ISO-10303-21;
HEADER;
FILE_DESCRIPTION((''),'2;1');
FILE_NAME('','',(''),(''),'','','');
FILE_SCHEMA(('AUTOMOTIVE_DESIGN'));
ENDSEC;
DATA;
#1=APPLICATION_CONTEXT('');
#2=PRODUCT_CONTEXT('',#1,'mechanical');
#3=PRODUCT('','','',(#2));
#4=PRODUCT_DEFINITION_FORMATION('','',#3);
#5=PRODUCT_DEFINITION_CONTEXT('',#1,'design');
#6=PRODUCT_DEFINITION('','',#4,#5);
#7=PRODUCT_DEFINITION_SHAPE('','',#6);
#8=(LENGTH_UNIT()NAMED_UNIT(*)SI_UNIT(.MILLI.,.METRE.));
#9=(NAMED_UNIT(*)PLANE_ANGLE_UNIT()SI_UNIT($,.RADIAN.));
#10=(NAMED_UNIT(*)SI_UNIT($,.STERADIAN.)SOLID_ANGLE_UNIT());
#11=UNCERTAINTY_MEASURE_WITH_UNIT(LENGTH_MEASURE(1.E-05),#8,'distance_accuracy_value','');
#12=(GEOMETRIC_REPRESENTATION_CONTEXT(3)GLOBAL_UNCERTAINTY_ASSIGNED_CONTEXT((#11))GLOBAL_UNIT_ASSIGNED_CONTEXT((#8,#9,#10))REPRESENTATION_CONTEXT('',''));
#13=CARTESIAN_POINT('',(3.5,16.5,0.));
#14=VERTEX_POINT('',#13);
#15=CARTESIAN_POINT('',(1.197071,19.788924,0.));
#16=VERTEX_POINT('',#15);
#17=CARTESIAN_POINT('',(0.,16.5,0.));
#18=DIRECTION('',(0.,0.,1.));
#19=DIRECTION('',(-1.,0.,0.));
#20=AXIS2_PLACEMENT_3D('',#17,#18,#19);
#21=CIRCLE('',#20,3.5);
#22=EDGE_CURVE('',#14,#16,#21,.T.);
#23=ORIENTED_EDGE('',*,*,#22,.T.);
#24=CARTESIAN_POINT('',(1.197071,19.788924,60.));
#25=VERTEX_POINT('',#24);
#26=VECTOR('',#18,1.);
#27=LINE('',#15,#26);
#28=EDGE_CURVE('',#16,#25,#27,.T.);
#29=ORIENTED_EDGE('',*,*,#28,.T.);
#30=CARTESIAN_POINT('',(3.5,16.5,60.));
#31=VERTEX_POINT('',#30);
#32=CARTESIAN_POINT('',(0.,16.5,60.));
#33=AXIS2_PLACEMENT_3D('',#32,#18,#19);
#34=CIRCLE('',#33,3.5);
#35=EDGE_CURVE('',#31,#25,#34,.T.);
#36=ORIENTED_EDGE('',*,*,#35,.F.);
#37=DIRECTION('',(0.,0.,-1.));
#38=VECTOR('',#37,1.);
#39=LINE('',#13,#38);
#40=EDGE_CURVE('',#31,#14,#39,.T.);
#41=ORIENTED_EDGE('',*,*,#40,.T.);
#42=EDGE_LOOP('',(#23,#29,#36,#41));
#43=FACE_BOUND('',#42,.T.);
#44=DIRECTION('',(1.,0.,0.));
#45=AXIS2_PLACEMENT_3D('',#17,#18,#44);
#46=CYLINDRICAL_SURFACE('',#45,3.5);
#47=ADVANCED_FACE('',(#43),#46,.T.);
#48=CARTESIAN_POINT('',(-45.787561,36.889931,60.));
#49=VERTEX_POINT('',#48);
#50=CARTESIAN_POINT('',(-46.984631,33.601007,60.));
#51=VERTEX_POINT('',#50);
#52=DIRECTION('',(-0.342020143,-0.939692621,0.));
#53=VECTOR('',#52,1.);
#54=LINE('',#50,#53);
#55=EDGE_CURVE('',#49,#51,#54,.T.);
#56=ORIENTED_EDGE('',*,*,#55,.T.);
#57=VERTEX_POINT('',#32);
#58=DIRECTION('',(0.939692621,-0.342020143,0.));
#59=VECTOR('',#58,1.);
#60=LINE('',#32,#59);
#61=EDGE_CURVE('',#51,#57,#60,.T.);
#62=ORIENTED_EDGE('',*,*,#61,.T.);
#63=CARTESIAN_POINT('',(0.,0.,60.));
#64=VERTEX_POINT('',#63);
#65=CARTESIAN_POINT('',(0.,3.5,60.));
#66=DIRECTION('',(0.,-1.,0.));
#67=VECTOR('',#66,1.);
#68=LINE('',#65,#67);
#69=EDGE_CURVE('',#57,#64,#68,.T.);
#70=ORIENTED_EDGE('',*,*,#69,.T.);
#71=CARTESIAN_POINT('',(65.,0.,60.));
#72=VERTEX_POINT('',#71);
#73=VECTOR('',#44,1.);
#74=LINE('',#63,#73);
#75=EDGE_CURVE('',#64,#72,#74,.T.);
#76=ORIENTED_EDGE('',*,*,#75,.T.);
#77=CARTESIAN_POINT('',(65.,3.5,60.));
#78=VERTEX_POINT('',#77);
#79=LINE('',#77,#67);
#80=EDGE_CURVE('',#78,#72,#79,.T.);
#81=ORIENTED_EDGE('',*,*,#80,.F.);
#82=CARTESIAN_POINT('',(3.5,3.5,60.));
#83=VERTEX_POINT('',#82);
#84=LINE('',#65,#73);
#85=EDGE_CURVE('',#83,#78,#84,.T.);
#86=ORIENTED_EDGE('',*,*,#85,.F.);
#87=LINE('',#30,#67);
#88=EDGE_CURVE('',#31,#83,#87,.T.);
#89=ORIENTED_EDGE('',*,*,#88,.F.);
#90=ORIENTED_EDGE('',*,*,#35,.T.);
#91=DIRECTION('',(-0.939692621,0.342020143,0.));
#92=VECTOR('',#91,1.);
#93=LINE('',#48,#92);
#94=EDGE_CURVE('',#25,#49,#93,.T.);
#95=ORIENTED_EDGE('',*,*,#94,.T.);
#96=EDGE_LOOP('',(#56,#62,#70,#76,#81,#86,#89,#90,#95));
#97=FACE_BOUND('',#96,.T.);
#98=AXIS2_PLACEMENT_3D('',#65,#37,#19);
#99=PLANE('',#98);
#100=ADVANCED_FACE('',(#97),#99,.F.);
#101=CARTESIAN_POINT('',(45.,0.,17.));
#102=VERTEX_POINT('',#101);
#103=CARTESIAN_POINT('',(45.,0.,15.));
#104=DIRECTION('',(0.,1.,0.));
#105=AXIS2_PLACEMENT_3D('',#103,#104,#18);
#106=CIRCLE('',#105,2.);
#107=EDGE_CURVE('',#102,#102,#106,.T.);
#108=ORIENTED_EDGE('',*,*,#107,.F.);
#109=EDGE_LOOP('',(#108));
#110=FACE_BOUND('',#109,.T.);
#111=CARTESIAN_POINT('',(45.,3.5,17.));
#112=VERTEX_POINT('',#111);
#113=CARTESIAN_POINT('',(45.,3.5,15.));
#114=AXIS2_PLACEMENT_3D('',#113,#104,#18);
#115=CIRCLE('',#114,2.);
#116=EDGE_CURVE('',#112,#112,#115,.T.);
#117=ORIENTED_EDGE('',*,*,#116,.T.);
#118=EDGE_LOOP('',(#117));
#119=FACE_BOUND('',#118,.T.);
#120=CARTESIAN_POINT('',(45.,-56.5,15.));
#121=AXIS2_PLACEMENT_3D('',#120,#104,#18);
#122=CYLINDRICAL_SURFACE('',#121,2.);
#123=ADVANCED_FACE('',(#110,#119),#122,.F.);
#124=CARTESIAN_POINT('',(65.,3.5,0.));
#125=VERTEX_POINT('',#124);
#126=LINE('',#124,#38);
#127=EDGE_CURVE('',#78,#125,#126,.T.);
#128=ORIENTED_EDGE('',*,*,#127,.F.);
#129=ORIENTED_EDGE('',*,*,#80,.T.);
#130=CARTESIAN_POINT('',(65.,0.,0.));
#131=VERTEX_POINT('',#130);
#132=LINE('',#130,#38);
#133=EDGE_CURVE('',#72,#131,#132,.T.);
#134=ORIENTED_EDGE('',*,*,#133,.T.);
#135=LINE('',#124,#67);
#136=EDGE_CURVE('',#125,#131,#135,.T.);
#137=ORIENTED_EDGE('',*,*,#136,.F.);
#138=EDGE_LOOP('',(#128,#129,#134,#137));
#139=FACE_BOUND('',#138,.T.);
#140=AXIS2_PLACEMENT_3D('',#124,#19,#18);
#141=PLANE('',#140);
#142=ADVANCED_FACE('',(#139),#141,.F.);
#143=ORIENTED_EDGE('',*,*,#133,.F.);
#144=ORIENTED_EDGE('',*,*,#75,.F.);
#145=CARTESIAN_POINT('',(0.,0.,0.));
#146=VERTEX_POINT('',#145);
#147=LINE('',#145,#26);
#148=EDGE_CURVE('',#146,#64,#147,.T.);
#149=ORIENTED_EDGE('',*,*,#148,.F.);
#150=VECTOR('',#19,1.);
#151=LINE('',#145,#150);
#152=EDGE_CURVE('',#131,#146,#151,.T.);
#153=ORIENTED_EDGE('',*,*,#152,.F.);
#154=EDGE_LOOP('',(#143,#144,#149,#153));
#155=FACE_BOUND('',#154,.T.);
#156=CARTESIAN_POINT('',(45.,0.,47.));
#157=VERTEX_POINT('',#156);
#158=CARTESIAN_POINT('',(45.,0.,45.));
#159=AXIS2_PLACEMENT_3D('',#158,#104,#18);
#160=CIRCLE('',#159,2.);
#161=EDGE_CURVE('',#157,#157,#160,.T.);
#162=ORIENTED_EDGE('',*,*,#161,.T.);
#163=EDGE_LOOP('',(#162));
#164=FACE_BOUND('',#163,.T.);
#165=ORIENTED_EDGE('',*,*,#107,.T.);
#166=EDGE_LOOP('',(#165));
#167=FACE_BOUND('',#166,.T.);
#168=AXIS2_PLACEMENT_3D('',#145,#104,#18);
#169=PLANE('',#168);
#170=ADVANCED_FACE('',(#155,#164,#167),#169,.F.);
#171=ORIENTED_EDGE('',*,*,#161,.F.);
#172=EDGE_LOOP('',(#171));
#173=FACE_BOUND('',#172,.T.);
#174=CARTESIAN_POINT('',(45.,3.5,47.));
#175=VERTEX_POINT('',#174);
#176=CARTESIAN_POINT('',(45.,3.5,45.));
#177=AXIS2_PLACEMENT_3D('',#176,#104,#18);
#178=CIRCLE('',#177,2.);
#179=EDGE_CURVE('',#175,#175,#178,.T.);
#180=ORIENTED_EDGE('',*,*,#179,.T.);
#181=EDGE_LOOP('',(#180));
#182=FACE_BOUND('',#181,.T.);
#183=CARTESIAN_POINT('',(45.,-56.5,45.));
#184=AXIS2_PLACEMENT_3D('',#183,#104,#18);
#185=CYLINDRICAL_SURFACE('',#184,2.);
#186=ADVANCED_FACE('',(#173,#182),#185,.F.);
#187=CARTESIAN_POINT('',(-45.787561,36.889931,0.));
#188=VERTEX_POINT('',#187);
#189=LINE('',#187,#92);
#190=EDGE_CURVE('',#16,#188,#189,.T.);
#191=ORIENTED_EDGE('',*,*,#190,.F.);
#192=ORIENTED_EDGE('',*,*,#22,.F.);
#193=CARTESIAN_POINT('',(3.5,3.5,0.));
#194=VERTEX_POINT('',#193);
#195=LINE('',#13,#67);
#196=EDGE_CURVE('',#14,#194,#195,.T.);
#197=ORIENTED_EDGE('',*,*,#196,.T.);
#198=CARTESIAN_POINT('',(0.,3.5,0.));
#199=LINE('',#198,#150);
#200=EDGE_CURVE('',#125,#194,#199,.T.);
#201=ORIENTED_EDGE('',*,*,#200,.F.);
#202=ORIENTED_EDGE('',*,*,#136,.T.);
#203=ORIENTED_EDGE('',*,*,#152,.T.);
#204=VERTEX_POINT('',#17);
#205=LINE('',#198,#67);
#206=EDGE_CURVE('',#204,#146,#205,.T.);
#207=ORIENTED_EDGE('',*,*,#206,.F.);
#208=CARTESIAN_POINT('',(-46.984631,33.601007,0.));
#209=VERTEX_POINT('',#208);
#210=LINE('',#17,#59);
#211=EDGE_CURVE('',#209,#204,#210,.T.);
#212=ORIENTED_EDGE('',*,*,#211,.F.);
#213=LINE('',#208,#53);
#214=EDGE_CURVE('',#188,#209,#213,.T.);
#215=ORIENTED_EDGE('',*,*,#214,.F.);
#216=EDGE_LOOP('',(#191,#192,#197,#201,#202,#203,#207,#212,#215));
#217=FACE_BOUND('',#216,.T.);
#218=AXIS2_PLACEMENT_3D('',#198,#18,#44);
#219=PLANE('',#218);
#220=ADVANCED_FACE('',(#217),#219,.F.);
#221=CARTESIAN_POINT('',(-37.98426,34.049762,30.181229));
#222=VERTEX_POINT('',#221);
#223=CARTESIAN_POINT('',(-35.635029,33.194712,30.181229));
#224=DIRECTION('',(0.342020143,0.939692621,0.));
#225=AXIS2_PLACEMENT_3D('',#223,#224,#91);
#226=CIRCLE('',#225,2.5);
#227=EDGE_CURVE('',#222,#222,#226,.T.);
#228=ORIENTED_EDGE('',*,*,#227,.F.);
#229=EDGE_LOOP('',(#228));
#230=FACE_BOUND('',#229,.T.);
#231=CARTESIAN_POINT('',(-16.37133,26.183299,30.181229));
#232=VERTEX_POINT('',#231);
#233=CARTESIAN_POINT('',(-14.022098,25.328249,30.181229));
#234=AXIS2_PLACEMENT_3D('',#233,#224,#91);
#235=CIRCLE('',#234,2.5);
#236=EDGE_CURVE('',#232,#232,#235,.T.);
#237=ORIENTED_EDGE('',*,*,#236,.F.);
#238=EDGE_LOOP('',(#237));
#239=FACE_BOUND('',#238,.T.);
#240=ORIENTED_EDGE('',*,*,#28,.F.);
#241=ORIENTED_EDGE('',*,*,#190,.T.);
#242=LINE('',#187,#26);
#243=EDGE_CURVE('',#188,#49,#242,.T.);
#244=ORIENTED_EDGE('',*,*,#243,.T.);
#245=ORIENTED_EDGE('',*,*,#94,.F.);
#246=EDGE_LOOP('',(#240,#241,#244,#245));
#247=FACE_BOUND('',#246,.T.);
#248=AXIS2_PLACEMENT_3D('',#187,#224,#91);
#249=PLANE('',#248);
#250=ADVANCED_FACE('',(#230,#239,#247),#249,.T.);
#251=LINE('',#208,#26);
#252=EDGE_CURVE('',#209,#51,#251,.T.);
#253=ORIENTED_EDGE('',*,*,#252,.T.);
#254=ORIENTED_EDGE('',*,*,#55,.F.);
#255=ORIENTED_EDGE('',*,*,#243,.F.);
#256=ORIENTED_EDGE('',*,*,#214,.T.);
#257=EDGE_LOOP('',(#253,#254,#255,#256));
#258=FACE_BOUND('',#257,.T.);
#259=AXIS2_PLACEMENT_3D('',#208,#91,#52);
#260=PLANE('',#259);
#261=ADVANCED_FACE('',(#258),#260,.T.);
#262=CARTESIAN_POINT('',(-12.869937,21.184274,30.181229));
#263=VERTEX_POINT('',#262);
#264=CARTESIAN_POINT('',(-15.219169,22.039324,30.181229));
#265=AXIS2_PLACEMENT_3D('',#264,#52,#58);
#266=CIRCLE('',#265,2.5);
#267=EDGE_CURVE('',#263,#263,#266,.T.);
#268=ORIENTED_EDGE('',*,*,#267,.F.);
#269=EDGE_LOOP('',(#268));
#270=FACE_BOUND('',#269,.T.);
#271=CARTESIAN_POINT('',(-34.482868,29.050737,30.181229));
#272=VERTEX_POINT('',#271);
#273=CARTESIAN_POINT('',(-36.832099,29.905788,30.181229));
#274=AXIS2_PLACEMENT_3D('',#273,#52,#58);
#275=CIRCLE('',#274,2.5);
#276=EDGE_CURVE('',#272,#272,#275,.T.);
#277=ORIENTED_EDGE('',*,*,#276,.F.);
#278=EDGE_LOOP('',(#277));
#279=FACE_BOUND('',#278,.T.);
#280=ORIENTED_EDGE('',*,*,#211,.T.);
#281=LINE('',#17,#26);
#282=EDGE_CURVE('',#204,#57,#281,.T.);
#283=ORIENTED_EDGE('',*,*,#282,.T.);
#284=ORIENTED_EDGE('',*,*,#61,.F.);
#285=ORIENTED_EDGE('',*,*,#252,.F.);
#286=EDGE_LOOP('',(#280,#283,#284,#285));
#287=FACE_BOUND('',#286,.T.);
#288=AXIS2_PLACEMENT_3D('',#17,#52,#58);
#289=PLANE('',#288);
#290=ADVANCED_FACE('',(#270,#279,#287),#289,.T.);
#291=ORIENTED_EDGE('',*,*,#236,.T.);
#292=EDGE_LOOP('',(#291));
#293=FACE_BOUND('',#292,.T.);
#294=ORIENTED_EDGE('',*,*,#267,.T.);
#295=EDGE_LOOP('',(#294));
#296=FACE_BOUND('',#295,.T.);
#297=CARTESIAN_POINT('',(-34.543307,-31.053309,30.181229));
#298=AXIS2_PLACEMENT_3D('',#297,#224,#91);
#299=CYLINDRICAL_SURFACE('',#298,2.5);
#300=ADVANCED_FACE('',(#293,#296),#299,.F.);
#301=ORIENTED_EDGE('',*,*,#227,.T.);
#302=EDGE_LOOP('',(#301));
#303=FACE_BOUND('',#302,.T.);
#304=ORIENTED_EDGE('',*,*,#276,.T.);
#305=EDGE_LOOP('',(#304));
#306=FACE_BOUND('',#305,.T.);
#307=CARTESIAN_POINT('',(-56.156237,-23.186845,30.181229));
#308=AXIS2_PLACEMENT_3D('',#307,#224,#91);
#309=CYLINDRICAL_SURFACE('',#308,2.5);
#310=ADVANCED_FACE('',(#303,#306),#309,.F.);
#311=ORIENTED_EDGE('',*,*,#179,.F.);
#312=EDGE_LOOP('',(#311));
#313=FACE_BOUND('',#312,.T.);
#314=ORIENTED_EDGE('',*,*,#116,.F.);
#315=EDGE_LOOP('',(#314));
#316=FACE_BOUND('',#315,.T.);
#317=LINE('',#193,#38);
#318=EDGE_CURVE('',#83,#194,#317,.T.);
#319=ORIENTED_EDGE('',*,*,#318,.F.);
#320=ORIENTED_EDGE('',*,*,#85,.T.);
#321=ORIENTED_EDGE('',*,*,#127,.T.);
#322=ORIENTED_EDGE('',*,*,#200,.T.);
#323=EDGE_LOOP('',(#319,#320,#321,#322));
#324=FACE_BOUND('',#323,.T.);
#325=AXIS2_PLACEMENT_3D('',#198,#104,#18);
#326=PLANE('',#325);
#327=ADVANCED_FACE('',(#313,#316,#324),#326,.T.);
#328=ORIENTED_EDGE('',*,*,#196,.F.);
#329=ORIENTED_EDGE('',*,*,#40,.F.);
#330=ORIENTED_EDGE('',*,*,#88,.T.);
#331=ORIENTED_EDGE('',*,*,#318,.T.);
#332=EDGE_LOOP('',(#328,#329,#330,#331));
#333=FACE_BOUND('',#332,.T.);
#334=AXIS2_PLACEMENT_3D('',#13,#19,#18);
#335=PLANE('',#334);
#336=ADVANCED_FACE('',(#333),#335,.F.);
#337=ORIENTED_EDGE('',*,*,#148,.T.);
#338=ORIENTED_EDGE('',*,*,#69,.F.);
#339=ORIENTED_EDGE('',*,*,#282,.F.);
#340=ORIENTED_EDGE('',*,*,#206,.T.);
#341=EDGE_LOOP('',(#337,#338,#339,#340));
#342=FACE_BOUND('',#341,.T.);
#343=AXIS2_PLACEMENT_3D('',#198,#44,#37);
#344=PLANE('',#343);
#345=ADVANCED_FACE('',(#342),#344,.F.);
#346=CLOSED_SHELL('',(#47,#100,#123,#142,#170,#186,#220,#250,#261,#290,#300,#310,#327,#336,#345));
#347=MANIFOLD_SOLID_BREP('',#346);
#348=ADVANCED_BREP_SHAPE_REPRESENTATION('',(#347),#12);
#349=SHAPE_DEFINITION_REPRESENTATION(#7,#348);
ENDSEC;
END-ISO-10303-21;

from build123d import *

# Parameters (mm, degrees)
SKETCH1_W           = 65
SKETCH1_H           = 60
BOSS_EXTRUDE1_DEPTH = 3.5
SKETCH2_W           = 3.5
SKETCH2_H           = 60
BOSS_EXTRUDE2_DEPTH = 13
BOSS_EXTRUDE5_DEPTH = 60
SKETCH9_R           = 2
CUT_EXTRUDE1_DEPTH  = 60
SKETCH10_R          = 2.5
CUT_EXTRUDE2_DEPTH  = 60


with BuildPart() as part:
    # Sketch1 → Boss-Extrude1 (new body)
    with BuildSketch(Plane(origin=(0, 0, 0), x_dir=(1, 0, 0), z_dir=(0, 1, 0))):
        with Locations((32.5, -30)):
            Rectangle(SKETCH1_W, SKETCH1_H)
    extrude(amount=BOSS_EXTRUDE1_DEPTH)

    # Sketch2 → Boss-Extrude2 (add)
    with BuildSketch(Plane(origin=(0, 3.5, 0), x_dir=(1, 0, 0), z_dir=(0, 1, 0))):
        with Locations((1.75, -30)):
            Rectangle(SKETCH2_W, SKETCH2_H)
    extrude(amount=BOSS_EXTRUDE2_DEPTH)

    # Sketch7 → Boss-Extrude5 (add)
    with BuildSketch(Plane.XY.offset(60)):
        with BuildLine():
            Line((0, 16.5), (-46.984631039, 33.601007166))
            Line((-46.984631039, 33.601007166), (-45.787560538, 36.889931339))
            Line((-45.787560538, 36.889931339), (1.197070502, 19.788924173))
            ThreePointArc((1.197070502, 19.788924173), (2.867032155, 18.507517527), (3.5, 16.5))
            Line((3.5, 16.5), (3.5, 3.5))
            Line((3.5, 3.5), (65, 3.5))
            Line((65, 3.5), (65, 0))
            Line((65, 0), (0, 0))
            Line((0, 0), (0, 16.5))
        make_face()
    extrude(amount=-BOSS_EXTRUDE5_DEPTH)

    # Sketch9 → Cut-Extrude1 (cut)
    with BuildSketch(Plane(origin=(0, 3.5, 0), x_dir=(1, 0, 0), z_dir=(0, 1, 0))):
        with Locations((45, -15)):
            Circle(SKETCH9_R)
        with Locations((45, -45)):
            Circle(SKETCH9_R)
    extrude(amount=-CUT_EXTRUDE1_DEPTH, mode=Mode.SUBTRACT)

    # Sketch10 → Cut-Extrude2 (cut)
    with BuildSketch(Plane(origin=(6.500068282, 17.858790828, 0), x_dir=(0.939692621, -0.342020143, 0), z_dir=(0.342020143, 0.939692621, 0))):
        with Locations((-44.839233595, -30.181228876)):
            Circle(SKETCH10_R)
        with Locations((-21.839233595, -30.181228876)):
            Circle(SKETCH10_R)
    extrude(amount=-CUT_EXTRUDE2_DEPTH, mode=Mode.SUBTRACT)


solid = part.part
